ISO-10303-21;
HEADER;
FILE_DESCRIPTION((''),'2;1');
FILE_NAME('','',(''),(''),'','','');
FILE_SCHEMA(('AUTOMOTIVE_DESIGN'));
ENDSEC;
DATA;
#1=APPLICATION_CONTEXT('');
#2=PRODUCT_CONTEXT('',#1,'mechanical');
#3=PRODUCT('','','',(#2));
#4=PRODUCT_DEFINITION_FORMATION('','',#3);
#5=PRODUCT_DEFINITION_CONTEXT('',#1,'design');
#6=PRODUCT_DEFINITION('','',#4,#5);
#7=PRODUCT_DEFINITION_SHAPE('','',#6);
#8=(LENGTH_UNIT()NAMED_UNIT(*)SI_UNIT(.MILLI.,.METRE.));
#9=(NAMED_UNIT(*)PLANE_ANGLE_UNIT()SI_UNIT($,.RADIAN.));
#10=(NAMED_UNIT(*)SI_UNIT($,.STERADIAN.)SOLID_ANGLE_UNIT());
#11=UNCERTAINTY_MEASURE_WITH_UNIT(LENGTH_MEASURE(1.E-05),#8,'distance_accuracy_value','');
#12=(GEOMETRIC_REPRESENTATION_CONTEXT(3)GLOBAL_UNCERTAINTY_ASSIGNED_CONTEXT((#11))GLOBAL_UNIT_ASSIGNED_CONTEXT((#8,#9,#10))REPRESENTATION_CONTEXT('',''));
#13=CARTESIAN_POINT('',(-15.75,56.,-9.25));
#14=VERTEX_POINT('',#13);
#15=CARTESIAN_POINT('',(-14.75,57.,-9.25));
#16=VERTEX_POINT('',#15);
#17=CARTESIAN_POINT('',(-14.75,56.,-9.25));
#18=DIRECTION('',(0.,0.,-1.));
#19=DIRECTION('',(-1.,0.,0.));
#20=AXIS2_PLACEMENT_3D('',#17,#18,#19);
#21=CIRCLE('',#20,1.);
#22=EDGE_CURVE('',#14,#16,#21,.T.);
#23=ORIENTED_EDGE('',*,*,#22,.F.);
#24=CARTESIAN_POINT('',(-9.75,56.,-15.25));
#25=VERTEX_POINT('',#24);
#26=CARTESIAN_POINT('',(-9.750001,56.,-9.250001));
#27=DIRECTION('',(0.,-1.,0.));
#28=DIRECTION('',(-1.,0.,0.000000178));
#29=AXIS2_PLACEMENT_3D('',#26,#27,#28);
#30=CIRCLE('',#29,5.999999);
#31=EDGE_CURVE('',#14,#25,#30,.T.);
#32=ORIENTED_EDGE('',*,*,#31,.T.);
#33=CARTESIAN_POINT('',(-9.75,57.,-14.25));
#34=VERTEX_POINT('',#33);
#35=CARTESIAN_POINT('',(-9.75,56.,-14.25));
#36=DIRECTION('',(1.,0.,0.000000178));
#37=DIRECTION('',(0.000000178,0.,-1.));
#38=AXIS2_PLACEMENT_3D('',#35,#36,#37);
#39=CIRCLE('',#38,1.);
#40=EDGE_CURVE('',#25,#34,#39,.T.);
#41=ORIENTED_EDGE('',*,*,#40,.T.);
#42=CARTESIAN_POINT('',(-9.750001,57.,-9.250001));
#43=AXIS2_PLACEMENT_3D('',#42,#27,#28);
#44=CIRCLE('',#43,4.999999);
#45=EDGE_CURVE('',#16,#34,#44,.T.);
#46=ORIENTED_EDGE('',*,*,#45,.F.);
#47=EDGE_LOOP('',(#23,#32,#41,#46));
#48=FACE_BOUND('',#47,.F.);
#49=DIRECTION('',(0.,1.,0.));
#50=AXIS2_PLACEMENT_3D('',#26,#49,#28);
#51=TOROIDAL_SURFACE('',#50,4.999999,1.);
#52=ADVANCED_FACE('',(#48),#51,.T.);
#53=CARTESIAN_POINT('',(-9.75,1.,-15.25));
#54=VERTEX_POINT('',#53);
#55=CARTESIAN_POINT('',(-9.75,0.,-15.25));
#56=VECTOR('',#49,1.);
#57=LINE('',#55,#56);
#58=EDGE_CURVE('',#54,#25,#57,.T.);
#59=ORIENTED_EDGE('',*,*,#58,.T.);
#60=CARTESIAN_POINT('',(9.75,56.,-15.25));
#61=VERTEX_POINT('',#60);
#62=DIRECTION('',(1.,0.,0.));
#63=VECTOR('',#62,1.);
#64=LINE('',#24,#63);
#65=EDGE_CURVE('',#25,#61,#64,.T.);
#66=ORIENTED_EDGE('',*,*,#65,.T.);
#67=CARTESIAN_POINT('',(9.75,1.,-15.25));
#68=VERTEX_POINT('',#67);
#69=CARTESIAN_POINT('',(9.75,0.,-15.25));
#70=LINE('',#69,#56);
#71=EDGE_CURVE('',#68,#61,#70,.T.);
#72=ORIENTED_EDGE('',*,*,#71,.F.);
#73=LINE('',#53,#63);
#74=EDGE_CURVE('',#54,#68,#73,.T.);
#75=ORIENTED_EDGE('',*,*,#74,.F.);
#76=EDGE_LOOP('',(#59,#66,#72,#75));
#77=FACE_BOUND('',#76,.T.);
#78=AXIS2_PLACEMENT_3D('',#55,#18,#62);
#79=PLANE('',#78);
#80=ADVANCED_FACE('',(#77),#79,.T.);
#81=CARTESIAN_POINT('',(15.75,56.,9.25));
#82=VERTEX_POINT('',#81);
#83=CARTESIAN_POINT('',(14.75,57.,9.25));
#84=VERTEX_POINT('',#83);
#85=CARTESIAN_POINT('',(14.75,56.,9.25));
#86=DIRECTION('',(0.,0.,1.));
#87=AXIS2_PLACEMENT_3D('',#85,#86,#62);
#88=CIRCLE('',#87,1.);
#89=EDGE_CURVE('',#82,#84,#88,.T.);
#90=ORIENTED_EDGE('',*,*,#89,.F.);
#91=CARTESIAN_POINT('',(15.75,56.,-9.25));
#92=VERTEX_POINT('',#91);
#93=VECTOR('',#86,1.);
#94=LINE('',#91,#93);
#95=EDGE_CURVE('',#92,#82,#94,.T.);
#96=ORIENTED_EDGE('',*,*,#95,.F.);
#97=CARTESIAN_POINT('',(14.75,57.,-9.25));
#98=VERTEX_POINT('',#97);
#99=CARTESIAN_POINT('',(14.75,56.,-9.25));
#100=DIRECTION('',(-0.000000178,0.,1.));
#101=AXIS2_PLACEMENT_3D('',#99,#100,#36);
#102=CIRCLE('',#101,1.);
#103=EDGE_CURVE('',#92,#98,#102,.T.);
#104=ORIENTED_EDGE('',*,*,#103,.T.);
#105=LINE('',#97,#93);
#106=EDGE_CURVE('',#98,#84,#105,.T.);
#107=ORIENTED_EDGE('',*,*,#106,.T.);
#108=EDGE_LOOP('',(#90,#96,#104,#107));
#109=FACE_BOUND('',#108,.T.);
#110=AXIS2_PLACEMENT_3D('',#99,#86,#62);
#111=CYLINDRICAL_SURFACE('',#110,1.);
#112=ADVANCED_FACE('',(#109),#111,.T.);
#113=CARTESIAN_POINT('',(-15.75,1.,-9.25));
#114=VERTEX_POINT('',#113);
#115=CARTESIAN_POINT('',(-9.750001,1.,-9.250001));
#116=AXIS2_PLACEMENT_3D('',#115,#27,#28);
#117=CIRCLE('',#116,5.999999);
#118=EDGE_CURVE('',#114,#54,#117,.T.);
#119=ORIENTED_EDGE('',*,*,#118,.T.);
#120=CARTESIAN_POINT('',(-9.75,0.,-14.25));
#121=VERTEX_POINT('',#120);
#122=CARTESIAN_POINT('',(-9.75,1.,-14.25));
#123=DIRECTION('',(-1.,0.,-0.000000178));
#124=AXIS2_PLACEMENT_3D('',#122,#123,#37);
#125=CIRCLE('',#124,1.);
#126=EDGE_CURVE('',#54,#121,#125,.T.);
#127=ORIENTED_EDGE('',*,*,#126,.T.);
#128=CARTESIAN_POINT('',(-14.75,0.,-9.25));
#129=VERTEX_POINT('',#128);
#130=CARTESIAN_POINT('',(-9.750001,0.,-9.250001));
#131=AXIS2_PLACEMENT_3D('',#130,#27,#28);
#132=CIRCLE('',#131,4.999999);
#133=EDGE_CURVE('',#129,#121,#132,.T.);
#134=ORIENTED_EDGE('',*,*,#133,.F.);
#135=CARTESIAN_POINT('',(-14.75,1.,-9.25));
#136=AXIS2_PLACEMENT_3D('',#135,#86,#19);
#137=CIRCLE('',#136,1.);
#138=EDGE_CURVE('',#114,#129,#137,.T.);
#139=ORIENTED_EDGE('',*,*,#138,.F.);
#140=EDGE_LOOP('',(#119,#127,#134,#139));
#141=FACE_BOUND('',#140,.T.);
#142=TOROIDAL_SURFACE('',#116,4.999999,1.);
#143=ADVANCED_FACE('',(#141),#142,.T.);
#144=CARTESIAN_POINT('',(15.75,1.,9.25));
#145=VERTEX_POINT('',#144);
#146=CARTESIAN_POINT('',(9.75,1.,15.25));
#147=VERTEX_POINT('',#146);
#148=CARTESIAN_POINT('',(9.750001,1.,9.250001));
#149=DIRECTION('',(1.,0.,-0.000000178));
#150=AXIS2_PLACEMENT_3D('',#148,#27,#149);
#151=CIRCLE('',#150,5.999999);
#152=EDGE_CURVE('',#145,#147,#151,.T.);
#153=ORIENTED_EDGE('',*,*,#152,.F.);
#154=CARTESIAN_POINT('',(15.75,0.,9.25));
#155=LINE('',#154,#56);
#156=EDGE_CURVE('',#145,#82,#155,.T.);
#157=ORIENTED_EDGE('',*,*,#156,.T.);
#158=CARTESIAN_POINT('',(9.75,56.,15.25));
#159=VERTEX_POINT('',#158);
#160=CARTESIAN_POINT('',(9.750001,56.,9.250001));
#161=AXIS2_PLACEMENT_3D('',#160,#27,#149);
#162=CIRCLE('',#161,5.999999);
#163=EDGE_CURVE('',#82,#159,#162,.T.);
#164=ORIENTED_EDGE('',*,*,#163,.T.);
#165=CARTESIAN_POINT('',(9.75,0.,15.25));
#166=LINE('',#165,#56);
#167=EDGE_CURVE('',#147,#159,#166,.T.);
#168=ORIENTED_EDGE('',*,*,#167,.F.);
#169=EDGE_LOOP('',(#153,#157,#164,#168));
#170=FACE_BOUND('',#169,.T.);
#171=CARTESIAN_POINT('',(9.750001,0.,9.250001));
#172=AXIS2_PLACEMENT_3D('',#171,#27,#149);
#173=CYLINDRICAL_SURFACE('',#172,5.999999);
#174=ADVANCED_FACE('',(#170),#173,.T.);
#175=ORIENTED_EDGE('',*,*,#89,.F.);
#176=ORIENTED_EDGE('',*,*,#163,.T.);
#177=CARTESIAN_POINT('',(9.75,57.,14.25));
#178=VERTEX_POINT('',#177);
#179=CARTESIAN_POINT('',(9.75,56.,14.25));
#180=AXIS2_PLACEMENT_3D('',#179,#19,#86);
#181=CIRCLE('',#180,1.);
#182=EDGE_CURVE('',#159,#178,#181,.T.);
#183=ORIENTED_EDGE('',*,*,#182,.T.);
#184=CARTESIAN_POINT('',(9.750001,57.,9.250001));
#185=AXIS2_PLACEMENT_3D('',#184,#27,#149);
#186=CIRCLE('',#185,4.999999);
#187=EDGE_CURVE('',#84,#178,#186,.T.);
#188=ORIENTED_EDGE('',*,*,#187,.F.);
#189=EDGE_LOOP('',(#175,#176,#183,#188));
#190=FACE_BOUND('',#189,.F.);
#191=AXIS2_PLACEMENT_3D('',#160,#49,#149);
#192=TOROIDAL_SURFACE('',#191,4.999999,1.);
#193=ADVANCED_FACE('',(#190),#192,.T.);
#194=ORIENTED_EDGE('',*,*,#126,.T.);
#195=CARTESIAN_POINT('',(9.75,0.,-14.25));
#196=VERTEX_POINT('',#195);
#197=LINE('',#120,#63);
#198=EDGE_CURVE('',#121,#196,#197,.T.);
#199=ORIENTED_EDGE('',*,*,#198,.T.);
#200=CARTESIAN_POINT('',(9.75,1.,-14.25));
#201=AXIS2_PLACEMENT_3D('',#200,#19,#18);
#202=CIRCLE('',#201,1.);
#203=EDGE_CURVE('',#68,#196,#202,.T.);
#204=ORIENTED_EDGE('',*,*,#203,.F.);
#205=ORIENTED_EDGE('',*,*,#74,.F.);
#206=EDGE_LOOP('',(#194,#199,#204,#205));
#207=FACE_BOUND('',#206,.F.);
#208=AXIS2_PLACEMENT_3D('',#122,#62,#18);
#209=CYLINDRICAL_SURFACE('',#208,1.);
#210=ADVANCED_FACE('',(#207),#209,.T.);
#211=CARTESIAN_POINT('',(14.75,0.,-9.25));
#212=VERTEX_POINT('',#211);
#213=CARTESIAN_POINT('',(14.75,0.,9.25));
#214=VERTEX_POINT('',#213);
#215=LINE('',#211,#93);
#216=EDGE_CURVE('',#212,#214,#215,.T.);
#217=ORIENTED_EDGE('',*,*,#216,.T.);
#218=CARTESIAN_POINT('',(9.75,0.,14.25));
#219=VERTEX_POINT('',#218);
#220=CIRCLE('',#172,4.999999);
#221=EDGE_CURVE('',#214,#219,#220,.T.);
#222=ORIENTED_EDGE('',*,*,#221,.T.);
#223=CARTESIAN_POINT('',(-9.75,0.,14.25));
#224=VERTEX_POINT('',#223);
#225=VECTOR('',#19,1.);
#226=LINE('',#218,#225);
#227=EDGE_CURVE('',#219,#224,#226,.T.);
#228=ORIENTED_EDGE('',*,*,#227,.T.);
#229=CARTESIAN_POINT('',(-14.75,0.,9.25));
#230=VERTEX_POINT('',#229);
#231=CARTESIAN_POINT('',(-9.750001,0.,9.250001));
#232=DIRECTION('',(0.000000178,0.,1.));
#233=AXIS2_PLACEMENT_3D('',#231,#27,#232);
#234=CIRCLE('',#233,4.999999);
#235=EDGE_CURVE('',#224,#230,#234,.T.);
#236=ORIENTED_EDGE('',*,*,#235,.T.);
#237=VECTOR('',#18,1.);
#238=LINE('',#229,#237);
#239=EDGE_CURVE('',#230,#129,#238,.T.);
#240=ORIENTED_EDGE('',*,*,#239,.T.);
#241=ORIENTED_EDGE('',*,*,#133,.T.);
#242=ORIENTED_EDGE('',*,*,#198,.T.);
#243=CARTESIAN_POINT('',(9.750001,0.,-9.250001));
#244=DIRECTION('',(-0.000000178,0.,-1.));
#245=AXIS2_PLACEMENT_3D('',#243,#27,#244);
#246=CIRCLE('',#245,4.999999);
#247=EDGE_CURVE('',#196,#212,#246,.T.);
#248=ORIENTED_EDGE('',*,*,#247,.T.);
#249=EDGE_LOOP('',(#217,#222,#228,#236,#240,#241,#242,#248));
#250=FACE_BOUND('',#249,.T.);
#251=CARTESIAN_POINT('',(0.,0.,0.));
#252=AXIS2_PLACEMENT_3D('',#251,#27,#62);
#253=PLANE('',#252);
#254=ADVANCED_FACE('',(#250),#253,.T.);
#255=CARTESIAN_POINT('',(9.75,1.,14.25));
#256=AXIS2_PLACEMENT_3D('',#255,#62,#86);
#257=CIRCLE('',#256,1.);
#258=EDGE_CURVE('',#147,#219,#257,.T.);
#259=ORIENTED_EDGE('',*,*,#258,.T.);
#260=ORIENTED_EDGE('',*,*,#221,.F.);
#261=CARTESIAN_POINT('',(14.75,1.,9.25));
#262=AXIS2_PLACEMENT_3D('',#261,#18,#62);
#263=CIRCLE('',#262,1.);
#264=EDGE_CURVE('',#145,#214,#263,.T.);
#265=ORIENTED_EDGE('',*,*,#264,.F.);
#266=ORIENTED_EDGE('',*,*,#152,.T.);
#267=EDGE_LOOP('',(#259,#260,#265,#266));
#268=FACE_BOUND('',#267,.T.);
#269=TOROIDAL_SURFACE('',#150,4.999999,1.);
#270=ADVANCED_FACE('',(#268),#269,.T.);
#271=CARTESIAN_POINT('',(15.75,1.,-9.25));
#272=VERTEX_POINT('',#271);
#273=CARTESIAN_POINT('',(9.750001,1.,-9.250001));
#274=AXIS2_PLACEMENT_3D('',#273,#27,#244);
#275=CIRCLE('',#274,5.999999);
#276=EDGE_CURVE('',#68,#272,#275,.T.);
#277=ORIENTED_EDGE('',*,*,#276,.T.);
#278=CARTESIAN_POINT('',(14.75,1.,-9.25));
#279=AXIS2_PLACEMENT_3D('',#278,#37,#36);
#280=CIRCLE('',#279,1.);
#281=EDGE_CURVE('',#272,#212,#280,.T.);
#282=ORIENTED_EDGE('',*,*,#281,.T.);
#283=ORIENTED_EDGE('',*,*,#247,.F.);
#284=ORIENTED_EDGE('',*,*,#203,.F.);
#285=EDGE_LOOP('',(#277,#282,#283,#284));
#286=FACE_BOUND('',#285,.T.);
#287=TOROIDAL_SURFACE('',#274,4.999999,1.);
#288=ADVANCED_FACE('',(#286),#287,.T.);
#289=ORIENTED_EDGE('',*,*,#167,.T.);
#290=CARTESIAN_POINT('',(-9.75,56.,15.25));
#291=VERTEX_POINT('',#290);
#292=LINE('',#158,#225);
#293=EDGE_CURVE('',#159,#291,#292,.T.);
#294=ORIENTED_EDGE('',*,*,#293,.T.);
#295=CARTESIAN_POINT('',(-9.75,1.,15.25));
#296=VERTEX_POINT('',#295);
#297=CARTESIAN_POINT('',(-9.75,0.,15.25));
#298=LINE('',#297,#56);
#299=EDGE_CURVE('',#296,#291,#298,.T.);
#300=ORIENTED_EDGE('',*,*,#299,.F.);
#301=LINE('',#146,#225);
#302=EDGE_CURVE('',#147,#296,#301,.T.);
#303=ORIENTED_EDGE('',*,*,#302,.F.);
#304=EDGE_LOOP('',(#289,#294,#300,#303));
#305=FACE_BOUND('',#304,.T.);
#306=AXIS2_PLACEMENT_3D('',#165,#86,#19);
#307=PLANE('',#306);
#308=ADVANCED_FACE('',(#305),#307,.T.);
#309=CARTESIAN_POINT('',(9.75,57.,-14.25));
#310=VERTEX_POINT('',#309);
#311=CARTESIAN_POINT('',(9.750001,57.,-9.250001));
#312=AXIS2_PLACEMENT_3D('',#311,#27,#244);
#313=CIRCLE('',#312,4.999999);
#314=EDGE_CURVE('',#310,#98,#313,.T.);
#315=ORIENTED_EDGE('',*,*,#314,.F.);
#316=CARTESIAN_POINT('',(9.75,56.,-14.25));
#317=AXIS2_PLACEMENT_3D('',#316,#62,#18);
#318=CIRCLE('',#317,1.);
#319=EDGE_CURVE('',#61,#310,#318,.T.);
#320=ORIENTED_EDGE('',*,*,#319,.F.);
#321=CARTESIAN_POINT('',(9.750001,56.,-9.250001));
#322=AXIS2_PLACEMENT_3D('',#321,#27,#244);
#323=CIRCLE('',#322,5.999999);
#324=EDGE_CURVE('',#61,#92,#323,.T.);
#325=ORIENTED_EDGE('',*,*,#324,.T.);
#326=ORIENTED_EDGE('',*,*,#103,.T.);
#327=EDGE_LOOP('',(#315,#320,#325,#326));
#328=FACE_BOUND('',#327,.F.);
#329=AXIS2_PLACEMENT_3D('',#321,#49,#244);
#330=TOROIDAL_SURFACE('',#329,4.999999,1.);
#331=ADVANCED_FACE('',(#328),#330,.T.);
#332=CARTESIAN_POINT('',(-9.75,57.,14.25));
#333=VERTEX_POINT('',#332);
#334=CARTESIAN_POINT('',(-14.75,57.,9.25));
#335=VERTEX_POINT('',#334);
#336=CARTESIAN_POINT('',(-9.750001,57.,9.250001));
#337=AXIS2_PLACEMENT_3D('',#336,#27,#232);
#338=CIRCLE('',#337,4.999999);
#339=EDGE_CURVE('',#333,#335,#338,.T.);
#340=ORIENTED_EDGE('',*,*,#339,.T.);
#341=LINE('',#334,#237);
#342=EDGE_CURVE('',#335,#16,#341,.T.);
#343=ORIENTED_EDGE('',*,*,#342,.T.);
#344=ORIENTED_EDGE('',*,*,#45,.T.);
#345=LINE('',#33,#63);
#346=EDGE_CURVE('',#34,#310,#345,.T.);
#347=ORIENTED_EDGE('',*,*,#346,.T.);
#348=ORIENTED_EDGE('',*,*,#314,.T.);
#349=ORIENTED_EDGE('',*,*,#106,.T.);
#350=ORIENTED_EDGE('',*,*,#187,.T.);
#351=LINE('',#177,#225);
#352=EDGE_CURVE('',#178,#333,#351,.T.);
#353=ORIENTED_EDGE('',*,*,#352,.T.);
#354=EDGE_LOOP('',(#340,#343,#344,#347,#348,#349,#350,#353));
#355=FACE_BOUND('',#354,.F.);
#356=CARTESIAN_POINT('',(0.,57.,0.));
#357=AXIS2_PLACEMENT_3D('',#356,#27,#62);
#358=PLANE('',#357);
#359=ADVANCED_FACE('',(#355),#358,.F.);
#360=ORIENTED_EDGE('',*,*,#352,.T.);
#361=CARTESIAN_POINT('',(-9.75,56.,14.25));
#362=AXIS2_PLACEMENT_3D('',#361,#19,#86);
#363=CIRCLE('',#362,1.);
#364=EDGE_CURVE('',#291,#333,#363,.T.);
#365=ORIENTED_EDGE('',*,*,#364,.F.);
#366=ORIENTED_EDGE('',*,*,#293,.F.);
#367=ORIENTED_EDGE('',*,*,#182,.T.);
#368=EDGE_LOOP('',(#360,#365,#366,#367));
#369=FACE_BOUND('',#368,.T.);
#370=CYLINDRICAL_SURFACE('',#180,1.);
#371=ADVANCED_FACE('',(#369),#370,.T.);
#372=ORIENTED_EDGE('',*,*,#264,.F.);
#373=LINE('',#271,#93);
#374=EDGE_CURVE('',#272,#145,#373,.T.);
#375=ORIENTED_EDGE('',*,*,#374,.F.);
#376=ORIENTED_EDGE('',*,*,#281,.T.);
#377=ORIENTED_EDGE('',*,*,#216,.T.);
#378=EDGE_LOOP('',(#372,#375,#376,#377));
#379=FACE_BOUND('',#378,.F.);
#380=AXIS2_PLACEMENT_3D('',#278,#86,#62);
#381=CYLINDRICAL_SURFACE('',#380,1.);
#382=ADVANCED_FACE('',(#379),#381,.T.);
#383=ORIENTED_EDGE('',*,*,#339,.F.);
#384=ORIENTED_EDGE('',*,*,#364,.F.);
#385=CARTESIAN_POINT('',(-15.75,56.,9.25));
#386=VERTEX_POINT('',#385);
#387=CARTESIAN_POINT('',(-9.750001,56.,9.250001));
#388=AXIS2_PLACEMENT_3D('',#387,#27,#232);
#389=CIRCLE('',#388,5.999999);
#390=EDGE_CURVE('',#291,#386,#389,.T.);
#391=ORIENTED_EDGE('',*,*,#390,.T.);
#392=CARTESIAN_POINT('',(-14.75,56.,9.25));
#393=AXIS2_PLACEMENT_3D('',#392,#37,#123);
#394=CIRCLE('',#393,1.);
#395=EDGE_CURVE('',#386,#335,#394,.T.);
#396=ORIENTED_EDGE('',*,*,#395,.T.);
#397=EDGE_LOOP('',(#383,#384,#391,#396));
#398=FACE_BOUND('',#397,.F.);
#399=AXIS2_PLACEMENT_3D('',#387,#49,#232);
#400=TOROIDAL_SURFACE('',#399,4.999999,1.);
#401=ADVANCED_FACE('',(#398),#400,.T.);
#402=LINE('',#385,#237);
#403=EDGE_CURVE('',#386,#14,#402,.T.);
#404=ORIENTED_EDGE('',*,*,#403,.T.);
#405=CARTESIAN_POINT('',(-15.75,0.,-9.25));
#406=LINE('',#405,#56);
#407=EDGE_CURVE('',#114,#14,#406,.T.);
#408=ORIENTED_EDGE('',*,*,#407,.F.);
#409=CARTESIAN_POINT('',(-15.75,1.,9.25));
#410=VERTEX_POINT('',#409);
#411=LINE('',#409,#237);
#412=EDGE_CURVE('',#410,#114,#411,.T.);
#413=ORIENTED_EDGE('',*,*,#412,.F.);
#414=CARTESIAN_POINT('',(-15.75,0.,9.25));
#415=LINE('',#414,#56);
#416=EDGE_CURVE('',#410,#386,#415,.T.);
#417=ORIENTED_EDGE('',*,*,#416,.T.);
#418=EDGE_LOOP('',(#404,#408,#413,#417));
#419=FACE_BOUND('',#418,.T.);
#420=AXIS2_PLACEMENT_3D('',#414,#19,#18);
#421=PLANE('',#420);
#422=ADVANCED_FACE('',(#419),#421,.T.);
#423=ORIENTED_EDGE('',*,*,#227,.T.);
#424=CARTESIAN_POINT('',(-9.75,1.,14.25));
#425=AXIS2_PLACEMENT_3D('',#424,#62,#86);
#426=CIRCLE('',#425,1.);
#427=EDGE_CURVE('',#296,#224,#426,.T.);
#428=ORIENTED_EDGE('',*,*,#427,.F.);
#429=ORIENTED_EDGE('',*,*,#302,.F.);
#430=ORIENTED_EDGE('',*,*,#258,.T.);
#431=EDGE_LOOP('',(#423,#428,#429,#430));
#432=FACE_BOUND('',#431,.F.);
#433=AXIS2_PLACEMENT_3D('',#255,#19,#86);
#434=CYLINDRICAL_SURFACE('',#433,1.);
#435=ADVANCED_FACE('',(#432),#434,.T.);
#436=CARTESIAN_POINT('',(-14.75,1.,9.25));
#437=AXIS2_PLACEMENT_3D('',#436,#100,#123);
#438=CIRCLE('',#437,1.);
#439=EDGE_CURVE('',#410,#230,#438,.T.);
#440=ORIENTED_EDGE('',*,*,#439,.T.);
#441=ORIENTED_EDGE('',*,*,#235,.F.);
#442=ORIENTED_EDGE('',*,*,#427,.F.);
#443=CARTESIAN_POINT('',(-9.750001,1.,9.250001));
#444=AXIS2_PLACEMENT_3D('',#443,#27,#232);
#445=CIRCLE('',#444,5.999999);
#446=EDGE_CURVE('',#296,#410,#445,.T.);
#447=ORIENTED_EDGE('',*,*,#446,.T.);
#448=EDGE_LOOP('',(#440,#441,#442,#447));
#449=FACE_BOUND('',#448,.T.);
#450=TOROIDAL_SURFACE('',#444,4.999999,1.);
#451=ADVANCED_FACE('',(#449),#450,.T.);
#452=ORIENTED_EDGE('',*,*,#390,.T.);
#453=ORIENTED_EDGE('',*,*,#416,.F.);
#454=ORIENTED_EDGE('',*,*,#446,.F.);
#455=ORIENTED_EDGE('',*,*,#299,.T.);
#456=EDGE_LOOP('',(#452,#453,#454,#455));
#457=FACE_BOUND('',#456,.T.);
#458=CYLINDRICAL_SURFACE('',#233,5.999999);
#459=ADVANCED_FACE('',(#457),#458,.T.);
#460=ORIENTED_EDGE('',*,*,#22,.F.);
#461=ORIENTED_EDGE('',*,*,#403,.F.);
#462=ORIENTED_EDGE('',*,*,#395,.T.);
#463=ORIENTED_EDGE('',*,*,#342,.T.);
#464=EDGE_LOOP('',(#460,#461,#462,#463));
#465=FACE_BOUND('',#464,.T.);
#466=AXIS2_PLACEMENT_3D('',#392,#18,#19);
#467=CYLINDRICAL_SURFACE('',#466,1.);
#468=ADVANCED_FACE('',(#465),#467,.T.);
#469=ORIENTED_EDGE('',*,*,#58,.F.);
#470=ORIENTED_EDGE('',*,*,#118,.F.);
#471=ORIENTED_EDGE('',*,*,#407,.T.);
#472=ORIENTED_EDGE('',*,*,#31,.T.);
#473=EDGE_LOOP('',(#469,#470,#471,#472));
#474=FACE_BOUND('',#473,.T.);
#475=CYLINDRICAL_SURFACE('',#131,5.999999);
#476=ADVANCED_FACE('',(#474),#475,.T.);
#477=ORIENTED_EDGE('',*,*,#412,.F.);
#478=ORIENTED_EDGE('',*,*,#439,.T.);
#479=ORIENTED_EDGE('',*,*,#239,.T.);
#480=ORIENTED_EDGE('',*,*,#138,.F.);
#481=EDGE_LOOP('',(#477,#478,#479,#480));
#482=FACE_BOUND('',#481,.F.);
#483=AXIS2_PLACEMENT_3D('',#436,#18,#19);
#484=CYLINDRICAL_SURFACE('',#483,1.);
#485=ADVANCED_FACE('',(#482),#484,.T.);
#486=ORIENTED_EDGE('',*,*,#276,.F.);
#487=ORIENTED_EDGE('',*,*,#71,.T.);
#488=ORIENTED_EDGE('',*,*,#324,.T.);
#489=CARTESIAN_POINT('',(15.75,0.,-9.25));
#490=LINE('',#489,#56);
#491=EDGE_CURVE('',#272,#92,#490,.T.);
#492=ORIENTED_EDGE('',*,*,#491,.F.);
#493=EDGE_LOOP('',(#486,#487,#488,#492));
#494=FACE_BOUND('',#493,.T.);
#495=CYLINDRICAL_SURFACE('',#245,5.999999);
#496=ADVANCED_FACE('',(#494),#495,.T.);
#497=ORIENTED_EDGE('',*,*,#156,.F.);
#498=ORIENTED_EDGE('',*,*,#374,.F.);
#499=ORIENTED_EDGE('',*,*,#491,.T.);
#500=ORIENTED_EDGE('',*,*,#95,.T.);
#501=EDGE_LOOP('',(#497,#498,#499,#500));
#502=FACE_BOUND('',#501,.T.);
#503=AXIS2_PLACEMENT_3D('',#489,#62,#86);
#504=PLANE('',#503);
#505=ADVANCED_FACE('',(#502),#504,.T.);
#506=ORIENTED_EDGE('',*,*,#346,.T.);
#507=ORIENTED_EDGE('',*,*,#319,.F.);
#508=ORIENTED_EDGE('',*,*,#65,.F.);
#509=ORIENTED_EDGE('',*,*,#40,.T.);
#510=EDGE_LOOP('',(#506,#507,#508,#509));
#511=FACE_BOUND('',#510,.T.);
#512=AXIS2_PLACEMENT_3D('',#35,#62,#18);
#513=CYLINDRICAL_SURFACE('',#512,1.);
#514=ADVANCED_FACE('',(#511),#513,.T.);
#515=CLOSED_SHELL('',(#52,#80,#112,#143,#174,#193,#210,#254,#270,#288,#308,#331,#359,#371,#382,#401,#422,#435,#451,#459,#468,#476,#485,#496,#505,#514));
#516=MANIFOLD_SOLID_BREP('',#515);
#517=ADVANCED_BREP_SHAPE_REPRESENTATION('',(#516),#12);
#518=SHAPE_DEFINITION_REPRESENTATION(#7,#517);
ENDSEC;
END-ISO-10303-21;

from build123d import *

# Parameters (mm, degrees)
F1_DEPTH = 57
F2_R     = 1


with BuildPart() as f1:
    # F0 (on Front) → F1 (new body)
    with BuildSketch(Plane.XZ):
        with BuildLine():
            Line((-15.75, 9.25), (-15.75, 0))
            Line((-15.75, 0), (-15.75, -9.25))
            ThreePointArc((-15.75, -9.25), (-13.992641, -13.492641), (-9.75, -15.25))
            Line((-9.75, -15.25), (0, -15.25))
            Line((0, -15.25), (9.75, -15.25))
            ThreePointArc((9.75, -15.25), (13.992641, -13.492641), (15.75, -9.25))
            Line((15.75, -9.25), (15.75, 0))
            Line((15.75, 0), (15.75, 9.25))
            ThreePointArc((15.75, 9.25), (13.992641, 13.492641), (9.75, 15.25))
            Line((9.75, 15.25), (0, 15.25))
            Line((0, 15.25), (-9.75, 15.25))
            ThreePointArc((-9.75, 15.25), (-13.992641, 13.492641), (-15.75, 9.25))
        make_face()
    extrude(amount=-F1_DEPTH)

    # F2
    f2_edges = [f1.edges().sort_by_distance(p)[0] for p in [
        (0, 0, 15.25),
        (0, 57, 15.25),
    ]]
    fillet(f2_edges, radius=F2_R)


solid = f1.part
